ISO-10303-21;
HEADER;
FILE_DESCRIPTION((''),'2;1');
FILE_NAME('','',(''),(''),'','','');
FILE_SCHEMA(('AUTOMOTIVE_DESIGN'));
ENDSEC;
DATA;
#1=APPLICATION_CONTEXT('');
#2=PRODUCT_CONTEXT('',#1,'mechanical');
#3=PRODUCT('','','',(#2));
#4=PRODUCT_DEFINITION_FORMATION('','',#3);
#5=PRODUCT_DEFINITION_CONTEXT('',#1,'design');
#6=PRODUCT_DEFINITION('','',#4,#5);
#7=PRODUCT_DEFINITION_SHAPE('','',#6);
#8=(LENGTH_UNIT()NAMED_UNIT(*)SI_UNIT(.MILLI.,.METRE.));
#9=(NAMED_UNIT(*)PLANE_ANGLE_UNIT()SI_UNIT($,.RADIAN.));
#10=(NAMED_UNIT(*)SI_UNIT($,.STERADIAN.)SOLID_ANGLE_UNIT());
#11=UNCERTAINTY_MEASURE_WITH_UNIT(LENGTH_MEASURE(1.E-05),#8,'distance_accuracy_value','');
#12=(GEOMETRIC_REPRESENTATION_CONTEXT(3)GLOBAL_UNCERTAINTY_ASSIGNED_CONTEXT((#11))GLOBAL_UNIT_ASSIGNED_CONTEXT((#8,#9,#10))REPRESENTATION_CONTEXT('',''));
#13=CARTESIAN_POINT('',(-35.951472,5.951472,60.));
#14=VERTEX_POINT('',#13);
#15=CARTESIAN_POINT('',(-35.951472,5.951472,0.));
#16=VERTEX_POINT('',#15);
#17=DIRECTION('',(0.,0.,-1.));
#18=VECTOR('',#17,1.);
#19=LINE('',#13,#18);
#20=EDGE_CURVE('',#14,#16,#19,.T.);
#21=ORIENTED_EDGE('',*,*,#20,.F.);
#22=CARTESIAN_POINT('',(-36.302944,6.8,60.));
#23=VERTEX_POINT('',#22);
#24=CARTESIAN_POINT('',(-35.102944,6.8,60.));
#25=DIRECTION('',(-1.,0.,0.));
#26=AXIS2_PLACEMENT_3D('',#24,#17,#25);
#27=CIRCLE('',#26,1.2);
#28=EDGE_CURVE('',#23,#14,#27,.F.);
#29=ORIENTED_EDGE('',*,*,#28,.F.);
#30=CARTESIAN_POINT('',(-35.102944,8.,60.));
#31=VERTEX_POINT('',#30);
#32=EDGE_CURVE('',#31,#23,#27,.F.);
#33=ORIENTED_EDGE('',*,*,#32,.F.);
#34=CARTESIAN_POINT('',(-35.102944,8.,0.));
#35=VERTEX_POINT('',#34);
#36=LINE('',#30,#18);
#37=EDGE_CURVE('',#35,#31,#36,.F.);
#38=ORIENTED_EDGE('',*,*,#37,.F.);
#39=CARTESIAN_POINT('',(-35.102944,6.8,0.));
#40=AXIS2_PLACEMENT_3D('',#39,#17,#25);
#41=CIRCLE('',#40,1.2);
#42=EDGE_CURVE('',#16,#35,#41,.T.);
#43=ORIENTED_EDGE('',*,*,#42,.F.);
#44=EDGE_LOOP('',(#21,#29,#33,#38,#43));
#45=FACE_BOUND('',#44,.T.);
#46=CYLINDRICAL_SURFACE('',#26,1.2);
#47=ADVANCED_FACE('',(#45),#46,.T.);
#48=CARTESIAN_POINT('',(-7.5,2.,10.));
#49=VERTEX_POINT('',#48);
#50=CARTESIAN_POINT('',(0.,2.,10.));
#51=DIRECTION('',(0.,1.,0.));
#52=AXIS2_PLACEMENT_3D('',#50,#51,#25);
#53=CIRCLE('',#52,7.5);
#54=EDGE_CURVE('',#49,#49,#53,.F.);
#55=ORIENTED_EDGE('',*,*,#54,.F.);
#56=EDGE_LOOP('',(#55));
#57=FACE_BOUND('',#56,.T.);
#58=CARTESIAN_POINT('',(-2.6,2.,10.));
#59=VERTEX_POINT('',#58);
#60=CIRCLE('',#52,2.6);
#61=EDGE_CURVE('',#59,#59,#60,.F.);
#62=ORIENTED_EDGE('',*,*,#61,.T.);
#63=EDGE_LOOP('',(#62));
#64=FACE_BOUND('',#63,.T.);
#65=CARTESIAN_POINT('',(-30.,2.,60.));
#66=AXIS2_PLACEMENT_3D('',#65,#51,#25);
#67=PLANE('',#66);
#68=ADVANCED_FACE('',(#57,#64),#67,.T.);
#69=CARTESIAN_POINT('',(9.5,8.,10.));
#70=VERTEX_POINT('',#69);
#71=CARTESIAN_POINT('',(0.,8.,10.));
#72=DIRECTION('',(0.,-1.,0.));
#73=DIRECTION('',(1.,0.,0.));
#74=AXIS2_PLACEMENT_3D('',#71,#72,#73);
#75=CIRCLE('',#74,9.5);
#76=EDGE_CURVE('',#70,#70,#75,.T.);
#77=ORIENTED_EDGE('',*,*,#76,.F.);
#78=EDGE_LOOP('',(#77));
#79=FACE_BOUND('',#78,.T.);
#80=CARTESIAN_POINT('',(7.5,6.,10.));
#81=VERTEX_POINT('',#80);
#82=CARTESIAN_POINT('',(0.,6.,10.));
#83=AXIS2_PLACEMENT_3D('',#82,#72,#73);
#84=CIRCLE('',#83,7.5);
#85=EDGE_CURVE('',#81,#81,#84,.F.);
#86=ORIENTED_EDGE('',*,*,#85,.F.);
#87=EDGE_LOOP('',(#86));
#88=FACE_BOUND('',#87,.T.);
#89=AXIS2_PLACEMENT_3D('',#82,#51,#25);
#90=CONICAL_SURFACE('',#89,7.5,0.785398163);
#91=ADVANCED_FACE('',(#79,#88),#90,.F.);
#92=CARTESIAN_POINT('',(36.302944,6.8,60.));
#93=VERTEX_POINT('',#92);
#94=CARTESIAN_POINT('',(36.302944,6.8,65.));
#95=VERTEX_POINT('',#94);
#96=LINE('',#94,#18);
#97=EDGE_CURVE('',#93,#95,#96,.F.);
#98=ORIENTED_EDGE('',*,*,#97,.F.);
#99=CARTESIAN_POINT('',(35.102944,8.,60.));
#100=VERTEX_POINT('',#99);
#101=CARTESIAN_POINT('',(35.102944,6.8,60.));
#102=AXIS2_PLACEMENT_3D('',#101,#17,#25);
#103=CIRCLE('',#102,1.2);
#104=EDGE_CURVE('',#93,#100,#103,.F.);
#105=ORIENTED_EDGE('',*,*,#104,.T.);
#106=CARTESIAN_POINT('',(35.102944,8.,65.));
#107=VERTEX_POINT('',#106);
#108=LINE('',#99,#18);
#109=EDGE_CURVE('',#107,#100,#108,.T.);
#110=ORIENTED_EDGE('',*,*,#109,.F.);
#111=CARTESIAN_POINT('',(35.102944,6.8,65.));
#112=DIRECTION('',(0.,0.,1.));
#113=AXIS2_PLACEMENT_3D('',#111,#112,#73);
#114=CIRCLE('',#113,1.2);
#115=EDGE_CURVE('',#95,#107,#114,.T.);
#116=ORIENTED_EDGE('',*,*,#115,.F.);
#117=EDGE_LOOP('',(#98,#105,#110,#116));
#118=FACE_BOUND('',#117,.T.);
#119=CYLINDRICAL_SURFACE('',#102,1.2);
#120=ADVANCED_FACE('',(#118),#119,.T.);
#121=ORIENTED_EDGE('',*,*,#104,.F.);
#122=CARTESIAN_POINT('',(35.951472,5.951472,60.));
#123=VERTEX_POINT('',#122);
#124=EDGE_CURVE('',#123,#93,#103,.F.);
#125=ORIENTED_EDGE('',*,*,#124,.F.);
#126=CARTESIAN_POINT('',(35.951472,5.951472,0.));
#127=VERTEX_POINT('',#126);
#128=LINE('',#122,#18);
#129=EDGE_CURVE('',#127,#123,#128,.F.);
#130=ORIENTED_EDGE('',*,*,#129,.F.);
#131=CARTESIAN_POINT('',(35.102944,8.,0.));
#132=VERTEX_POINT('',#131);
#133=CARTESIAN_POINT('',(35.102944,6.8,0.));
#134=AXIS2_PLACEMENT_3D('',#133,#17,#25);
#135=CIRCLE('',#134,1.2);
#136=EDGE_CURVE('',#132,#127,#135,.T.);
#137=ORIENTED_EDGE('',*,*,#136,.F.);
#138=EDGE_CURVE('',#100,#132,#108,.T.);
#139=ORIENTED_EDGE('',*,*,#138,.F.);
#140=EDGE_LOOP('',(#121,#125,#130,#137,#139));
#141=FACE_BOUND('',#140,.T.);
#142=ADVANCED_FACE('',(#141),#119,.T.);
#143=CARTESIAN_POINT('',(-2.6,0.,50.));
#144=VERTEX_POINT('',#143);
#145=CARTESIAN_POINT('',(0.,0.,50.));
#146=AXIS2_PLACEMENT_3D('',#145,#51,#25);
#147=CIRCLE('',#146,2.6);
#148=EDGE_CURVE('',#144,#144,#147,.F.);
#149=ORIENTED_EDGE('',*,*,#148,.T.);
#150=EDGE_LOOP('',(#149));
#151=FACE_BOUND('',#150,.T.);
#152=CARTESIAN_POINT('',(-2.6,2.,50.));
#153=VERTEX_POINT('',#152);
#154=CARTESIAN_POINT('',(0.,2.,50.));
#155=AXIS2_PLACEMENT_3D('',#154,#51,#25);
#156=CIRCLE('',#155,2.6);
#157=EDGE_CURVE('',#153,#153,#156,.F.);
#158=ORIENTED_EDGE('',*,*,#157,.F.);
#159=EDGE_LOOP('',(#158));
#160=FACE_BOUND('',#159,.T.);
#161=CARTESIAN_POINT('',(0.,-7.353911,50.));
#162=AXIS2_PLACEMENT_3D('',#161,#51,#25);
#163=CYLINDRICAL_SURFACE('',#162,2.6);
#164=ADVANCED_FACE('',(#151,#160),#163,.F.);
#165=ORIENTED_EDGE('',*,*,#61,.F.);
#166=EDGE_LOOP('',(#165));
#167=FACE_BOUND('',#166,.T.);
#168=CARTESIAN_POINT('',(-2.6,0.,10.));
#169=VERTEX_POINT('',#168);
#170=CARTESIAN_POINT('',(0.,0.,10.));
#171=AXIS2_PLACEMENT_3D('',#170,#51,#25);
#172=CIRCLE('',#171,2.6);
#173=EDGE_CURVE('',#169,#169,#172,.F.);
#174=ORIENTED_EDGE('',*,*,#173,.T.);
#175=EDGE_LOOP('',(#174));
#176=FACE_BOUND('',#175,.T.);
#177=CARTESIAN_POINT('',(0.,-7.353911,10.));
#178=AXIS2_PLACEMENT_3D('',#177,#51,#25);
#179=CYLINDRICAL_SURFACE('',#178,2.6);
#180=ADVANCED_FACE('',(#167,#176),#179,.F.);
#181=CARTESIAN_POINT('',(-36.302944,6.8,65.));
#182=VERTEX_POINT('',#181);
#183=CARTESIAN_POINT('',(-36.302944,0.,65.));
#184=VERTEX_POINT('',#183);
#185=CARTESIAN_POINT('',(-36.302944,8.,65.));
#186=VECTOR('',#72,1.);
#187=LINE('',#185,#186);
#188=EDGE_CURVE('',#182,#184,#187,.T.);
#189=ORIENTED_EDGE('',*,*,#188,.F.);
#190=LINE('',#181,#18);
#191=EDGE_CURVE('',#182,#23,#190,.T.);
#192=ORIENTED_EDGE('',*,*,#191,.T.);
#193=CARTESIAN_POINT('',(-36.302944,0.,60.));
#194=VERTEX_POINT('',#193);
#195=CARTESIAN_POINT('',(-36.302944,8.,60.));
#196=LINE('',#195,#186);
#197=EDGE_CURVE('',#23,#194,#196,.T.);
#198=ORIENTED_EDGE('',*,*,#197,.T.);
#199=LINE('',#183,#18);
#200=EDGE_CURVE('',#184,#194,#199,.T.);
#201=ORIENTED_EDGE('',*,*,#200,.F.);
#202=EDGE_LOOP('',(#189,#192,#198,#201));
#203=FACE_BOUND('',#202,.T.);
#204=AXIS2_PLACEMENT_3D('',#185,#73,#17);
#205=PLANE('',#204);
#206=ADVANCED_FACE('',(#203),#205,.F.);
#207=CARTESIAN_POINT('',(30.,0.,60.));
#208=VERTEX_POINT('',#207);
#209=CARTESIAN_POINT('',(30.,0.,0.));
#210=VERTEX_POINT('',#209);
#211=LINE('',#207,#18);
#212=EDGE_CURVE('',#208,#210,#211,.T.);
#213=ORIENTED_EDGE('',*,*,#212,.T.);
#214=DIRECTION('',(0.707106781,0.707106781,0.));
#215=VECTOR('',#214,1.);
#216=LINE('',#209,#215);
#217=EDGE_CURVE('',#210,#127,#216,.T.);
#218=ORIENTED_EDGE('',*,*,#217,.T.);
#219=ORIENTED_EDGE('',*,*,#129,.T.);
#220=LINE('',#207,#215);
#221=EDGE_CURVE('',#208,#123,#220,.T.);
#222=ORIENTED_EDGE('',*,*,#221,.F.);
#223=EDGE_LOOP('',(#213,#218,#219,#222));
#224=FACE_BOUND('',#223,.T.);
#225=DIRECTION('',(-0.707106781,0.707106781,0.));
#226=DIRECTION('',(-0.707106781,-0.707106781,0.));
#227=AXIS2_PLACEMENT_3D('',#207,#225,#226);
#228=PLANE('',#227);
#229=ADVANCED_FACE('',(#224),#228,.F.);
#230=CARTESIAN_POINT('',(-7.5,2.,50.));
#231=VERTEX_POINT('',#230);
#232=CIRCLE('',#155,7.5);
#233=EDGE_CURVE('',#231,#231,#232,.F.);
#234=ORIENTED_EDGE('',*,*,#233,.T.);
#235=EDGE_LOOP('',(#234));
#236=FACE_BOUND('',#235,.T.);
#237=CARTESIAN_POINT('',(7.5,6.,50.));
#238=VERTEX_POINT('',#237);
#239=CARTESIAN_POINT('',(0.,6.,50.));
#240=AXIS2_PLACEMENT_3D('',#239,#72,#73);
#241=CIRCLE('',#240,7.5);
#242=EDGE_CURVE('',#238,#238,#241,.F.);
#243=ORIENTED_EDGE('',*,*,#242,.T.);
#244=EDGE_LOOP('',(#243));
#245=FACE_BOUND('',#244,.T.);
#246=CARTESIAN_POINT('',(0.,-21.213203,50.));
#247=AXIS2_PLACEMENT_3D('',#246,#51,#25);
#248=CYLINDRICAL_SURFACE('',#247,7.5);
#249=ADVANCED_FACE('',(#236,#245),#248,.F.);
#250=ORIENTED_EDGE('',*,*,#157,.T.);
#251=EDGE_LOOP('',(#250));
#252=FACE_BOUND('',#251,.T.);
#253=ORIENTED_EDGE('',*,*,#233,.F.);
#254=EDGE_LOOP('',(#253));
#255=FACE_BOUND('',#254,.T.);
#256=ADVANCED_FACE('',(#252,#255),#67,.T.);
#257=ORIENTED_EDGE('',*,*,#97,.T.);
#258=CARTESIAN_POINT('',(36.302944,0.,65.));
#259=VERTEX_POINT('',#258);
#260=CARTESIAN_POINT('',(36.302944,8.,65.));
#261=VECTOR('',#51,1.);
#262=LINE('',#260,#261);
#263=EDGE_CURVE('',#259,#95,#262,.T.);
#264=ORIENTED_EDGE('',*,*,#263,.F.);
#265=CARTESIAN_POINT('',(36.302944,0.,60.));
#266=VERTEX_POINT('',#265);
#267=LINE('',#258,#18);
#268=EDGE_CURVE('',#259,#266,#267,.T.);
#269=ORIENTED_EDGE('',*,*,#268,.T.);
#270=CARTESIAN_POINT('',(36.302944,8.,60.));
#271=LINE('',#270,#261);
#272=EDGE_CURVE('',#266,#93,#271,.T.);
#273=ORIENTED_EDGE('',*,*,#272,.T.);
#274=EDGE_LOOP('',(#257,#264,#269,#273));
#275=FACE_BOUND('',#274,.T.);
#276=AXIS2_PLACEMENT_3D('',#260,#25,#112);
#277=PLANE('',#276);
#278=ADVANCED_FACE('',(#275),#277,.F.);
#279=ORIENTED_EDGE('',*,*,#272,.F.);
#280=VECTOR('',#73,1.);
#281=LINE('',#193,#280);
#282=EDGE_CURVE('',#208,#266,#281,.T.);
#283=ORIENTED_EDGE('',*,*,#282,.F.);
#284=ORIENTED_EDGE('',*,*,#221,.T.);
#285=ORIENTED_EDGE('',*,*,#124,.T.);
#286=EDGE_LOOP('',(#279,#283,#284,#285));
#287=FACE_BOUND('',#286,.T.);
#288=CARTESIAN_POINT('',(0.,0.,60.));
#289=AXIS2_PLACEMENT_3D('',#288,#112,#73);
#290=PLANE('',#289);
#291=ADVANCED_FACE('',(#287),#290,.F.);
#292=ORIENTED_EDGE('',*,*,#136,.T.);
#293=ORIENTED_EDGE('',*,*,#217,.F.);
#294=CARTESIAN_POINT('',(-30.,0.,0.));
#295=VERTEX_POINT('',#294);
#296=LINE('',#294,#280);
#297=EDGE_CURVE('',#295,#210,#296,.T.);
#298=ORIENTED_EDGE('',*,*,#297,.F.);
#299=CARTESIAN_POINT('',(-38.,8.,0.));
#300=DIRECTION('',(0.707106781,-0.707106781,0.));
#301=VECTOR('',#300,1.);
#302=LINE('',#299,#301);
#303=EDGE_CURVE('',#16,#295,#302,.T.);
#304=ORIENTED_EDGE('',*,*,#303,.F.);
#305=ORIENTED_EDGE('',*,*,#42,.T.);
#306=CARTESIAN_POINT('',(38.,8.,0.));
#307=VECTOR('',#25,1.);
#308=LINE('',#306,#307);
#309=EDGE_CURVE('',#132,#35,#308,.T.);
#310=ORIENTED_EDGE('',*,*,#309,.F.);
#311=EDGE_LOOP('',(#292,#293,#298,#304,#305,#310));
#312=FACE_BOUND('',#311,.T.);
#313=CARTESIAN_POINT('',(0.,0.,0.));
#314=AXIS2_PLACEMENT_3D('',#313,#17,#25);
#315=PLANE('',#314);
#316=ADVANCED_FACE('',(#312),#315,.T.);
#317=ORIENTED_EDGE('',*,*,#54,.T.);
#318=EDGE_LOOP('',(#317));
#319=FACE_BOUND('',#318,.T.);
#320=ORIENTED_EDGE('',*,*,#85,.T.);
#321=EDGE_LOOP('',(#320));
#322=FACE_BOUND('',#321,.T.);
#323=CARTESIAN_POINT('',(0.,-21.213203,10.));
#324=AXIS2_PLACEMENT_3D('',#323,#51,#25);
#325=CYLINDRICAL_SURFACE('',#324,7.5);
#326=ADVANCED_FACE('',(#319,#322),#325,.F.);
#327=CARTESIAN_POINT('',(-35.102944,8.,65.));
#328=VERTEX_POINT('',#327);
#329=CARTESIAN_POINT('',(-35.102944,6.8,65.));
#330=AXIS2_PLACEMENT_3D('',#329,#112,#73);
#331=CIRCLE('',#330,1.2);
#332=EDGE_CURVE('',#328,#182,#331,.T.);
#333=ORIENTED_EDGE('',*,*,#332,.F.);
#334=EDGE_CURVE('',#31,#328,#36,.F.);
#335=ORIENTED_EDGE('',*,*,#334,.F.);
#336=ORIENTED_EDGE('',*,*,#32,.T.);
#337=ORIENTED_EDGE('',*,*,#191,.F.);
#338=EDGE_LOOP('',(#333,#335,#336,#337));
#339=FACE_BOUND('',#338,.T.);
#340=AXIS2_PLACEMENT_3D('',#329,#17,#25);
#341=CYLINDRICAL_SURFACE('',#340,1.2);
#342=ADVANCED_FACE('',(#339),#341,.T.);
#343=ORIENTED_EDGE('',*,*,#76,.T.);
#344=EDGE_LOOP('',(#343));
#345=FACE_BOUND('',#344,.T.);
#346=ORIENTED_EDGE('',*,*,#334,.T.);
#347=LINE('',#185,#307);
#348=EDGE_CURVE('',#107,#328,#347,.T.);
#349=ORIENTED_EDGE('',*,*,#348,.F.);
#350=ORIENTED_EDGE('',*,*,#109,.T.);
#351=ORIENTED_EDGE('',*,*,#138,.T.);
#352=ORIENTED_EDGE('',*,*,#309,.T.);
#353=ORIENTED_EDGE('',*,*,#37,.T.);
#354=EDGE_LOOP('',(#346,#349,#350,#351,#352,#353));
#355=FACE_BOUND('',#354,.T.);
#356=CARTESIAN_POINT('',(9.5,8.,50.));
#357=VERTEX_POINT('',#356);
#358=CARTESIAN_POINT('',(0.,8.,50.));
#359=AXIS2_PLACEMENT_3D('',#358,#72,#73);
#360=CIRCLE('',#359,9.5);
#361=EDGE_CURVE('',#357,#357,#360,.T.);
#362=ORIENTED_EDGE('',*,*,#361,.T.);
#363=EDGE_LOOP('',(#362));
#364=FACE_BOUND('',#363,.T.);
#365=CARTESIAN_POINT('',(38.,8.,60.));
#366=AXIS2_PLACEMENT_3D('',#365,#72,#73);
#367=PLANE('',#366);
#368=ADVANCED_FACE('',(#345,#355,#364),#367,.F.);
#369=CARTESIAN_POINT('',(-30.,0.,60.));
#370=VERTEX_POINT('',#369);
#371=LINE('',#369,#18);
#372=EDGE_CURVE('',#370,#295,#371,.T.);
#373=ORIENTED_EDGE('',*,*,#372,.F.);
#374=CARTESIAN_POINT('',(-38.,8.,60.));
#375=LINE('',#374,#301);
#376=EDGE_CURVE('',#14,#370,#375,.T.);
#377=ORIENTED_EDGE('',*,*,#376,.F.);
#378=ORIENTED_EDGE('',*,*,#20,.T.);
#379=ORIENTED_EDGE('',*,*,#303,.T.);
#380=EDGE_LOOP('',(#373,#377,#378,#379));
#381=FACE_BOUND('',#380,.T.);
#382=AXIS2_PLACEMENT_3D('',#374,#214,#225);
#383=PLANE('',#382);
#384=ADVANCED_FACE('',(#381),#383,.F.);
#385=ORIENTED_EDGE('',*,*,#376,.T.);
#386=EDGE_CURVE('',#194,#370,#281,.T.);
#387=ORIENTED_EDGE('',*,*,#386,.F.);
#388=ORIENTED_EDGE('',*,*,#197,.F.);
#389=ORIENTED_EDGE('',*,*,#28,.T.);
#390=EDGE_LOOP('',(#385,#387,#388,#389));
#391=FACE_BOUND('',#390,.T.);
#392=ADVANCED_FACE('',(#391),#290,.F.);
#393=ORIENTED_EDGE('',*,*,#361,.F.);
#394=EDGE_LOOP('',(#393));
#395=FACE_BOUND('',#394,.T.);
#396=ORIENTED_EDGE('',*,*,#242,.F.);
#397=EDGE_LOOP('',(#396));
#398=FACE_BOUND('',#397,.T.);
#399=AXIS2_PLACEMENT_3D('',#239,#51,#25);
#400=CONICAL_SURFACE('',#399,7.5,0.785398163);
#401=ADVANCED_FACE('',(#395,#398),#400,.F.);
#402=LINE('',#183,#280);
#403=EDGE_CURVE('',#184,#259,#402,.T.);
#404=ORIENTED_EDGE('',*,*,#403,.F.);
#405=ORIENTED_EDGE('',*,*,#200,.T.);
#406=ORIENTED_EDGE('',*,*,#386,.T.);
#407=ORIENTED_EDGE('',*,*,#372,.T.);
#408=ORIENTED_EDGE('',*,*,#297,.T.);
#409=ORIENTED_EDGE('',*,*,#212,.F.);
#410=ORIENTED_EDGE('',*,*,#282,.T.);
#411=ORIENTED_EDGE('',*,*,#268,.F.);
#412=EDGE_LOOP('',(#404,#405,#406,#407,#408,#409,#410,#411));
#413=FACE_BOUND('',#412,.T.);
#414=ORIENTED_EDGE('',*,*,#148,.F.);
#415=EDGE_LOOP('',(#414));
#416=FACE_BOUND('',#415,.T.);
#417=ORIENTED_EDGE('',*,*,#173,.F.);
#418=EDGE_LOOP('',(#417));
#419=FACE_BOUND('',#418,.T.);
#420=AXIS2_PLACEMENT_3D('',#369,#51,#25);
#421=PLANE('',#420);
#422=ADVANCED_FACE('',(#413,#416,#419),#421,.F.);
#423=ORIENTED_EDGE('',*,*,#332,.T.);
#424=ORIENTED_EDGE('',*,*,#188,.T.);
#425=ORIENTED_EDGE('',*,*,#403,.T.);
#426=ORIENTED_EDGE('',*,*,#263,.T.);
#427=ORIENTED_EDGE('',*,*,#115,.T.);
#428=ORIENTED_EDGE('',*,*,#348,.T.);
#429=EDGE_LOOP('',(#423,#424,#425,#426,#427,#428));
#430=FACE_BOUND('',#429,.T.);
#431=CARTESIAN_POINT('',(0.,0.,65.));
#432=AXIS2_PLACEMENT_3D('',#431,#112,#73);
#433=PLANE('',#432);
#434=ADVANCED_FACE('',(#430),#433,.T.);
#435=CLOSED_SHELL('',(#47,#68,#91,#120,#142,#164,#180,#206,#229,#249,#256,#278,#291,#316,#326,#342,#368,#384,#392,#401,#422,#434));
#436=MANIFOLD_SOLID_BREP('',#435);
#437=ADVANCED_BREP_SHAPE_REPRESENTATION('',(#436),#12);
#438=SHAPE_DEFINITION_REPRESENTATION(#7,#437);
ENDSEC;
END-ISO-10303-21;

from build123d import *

# Parameters (mm, degrees)
EXTRUDE_1_DEPTH     = 60
SKETCH_2_R          = 2.6
CUT_EXTRUDE_1_DEPTH = 8
SKETCH_3_R          = 7.5
CUT_EXTRUDE_2_DEPTH = 6
FILLET_2_R          = 1.2
SKETCH_4_W          = 72.60588745
SKETCH_4_H          = 8
EXTRUDE_2_DEPTH     = 5
FILLET_3_R          = 1.2
CHAMFER_3_SIZE      = 2


with BuildPart() as part:
    # Эскиз1 → Бобышка-Вытянуть1 (new body)
    with BuildSketch(Plane.XY):
        Polygon((-30, 0), (30, 0), (38, 8), (-38, 8), align=None)
    extrude(amount=EXTRUDE_1_DEPTH)

    # Эскиз2 → Вырез-Вытянуть1 (cut)
    with BuildSketch(Plane(origin=(0, 8, 0), x_dir=(1, 0, 0), z_dir=(0, 1, 0))):
        with Locations(Location((0, -10, 0), (0, 0, 180))):
            Circle(SKETCH_2_R)
        with Locations(Location((0, -50, 0), (0, 0, 180))):
            Circle(SKETCH_2_R)
    extrude(amount=-CUT_EXTRUDE_1_DEPTH, mode=Mode.SUBTRACT)

    # Эскиз3 → Вырез-Вытянуть2 (cut)
    with BuildSketch(Plane(origin=(0, 8, 0), x_dir=(1, 0, 0), z_dir=(0, 1, 0))):
        with Locations(Location((0, -10, 0), (0, 0, 180))):
            Circle(SKETCH_3_R)
        with Locations(Location((0, -50, 0), (0, 0, 180))):
            Circle(SKETCH_3_R)
    extrude(amount=-CUT_EXTRUDE_2_DEPTH, mode=Mode.SUBTRACT)

    # Скругление2
    fillet_2_edges = [part.edges().sort_by_distance(p)[0] for p in [
        (-38, 8, 30),
        (38, 8, 30),
    ]]
    fillet(fillet_2_edges, radius=FILLET_2_R)

    # Эскиз4 → Бобышка-Вытянуть2 (add)
    with BuildSketch(Plane.XY.offset(60)):
        with Locations((0, 4)):
            Rectangle(SKETCH_4_W, SKETCH_4_H)
    extrude(amount=EXTRUDE_2_DEPTH)

    # Скругление3
    fillet_3_edges = [part.edges().sort_by_distance(p)[0] for p in [
        (36.302943725, 8, 62.5),
        (-36.302943725, 8, 62.5),
    ]]
    fillet(fillet_3_edges, radius=FILLET_3_R)

    # Фаска3
    chamfer_3_edges = [part.edges().sort_by_distance(p)[0] for p in [
        (7.5, 8, 10),
        (7.5, 8, 50),
    ]]
    chamfer(chamfer_3_edges, length=CHAMFER_3_SIZE)


solid = part.part
